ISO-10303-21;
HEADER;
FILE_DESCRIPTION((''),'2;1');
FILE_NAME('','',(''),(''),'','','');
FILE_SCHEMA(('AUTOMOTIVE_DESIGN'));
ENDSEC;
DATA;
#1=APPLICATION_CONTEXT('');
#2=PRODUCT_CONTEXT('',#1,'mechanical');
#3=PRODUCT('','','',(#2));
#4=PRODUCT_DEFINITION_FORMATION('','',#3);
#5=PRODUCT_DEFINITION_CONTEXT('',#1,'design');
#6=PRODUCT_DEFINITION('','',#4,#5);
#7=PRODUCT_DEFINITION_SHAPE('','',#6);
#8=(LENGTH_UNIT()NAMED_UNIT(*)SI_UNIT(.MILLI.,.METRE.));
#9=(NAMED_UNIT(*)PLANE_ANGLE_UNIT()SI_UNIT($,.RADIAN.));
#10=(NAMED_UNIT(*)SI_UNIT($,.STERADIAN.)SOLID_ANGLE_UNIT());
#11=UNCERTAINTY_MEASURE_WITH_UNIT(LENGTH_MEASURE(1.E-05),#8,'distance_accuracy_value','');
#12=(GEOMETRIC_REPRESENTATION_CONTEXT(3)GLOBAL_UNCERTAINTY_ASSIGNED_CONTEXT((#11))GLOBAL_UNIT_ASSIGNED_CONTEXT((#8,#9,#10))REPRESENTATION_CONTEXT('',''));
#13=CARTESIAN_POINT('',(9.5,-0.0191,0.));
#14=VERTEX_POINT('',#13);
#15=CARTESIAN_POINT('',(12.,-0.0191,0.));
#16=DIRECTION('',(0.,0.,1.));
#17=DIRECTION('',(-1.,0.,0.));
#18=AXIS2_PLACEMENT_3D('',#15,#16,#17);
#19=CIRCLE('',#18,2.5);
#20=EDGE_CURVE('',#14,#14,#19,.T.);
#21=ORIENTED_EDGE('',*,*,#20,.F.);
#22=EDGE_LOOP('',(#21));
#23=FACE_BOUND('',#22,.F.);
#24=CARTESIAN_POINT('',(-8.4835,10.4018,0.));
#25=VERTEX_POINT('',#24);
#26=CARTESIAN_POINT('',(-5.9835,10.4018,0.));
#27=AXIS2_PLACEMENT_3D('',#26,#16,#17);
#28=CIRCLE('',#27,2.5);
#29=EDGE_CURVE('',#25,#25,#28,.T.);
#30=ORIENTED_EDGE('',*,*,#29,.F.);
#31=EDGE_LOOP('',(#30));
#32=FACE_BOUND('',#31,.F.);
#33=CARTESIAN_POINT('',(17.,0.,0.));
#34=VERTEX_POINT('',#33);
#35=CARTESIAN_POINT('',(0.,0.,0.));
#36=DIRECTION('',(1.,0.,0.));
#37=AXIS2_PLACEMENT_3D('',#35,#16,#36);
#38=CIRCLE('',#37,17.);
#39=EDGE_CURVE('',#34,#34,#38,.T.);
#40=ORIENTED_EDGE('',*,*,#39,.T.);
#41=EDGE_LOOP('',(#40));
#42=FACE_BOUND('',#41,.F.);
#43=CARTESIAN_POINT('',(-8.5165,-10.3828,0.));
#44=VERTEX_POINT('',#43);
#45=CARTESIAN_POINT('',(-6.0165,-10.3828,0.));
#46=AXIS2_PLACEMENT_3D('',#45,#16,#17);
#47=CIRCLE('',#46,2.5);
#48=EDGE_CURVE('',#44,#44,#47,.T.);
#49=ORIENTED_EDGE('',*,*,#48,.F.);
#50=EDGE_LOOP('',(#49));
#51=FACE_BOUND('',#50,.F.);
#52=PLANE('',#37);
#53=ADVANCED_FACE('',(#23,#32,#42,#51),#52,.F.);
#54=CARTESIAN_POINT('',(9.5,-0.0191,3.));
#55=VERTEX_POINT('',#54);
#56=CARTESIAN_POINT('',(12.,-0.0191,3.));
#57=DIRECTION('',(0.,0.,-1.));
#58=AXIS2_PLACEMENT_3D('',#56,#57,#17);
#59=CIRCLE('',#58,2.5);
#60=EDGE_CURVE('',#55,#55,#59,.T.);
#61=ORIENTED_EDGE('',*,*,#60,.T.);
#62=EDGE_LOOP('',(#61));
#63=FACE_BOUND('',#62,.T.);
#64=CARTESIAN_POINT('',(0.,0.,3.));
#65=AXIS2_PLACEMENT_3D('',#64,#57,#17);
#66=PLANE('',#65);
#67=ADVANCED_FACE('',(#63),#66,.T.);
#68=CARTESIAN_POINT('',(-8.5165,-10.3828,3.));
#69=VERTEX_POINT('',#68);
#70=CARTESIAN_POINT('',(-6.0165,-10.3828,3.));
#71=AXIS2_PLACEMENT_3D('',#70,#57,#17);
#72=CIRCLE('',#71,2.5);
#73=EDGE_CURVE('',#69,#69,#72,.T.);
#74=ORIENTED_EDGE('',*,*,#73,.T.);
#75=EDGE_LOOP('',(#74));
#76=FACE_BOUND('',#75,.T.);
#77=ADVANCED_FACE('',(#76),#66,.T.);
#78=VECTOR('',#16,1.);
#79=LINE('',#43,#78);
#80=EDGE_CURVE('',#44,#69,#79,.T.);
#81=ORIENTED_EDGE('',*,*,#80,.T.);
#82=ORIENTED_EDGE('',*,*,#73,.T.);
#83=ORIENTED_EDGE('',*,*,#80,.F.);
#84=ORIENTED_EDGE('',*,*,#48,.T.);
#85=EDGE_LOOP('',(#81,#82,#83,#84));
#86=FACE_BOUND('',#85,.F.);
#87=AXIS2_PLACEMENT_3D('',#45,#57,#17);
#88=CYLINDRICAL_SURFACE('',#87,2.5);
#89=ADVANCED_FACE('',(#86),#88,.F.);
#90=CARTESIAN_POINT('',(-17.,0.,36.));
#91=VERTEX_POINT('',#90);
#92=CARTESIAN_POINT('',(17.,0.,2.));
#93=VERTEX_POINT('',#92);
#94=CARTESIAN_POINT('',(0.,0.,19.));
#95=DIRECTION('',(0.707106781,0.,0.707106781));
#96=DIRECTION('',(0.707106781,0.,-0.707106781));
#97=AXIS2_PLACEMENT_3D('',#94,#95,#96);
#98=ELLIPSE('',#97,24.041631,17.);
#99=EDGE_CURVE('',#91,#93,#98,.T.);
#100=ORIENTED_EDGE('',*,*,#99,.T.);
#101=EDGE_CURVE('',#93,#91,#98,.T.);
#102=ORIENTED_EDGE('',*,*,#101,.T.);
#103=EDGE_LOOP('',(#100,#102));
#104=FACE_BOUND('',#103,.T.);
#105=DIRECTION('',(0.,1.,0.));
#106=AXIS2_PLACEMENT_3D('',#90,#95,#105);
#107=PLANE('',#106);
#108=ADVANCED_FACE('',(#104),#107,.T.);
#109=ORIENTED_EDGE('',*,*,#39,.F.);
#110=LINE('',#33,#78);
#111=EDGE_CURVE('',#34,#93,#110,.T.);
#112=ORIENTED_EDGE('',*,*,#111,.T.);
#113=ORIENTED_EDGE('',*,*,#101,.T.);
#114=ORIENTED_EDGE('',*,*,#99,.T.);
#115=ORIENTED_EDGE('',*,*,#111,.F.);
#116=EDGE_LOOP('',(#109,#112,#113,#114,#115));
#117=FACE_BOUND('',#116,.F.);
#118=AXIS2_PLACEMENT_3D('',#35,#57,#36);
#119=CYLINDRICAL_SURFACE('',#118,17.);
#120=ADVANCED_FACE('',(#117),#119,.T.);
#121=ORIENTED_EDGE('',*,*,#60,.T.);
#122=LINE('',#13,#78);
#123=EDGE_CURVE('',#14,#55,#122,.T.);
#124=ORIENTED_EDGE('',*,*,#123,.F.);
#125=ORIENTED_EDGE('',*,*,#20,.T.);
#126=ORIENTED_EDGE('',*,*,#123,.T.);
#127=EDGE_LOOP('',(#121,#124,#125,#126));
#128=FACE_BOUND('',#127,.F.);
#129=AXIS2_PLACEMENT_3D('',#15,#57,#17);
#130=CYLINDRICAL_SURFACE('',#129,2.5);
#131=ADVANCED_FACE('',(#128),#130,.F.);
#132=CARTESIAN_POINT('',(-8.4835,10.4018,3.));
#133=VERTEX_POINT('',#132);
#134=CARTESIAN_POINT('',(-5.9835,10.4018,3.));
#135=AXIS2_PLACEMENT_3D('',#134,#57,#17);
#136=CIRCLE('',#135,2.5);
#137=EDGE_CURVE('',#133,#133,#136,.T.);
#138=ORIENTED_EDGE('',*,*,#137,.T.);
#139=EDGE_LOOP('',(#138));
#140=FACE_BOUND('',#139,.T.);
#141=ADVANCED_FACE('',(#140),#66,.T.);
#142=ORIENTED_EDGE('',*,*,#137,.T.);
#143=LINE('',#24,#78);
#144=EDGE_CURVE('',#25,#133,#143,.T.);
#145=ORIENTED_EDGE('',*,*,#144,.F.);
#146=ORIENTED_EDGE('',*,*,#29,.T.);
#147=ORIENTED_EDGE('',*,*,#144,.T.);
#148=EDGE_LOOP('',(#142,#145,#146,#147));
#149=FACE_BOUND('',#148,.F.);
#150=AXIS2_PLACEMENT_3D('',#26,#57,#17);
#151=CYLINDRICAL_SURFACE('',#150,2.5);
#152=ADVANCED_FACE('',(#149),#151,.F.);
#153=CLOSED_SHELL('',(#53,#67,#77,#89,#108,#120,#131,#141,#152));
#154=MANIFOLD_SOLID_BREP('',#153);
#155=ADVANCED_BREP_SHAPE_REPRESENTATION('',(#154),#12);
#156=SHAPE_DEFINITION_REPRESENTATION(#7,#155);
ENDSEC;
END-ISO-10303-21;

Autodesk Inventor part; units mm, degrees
ref_plane "YZ Plane" through (0, 0, 0) normal (1, 0, 0) x (0, 1, 0)
ref_plane "XY Plane" through (0, 0, 0) normal (0, 0, 1) x (1, 0, 0)
sketch "Sketch1" plane through (0, 0, 0) normal (0, 0, 1) x (1, 0, 0)
  circle A0 centre (0, 0) radius 17
  dimension "d0" = 34
extrude "Extrusion1" add sketch "Sketch1" along normal blind 36
sketch "Sketch2" plane through (0, 0, 0) normal (0, 1, 0) x (-1, 0, 0)
  line L0 (17, 36) -> (-17, 36) projected
  line L1 (17, 36) -> (-17.212, 1.788)
  point P0 (0, 0)
  dimension "d3" = 45
ref_plane "Work Plane1" through (-17, 0, 36) normal (0.7071, 0, 0.7071) x (0.7071, 0, -0.7071)
split "Split2" plane through (-17, 0, 36) removes the side toward (0.7071, 0, 0.7071)
sketch "Sketch3" plane through (0, 0, 0) normal (0, 0, -1) x (-1, 0, 0)
  circle A0 centre (0, 0) radius 12
  circle A1 centre (6.0165, -10.3828) radius 2.5
  circle A2 centre (5.9835, 10.4018) radius 2.5
  circle A3 centre (-12, -0.0191) radius 2.5
  dimension "d5" = 24
  dimension "d6" = 5
  dimension "d9" = 360
extrude "Extrusion2" cut sketch "Sketch3" against normal blind 3 contours A2 A0 | A0 A2 | A1 A0 | A0 A1 | A3 A0 | A0 A3
sketch "Sketch4" plane through (0, 0, 0) normal (0, 0, -1) x (-1, 0, 0)
  point P0 (0, -12)
properties part number "trzymadlo" material "ABS Plastic"
